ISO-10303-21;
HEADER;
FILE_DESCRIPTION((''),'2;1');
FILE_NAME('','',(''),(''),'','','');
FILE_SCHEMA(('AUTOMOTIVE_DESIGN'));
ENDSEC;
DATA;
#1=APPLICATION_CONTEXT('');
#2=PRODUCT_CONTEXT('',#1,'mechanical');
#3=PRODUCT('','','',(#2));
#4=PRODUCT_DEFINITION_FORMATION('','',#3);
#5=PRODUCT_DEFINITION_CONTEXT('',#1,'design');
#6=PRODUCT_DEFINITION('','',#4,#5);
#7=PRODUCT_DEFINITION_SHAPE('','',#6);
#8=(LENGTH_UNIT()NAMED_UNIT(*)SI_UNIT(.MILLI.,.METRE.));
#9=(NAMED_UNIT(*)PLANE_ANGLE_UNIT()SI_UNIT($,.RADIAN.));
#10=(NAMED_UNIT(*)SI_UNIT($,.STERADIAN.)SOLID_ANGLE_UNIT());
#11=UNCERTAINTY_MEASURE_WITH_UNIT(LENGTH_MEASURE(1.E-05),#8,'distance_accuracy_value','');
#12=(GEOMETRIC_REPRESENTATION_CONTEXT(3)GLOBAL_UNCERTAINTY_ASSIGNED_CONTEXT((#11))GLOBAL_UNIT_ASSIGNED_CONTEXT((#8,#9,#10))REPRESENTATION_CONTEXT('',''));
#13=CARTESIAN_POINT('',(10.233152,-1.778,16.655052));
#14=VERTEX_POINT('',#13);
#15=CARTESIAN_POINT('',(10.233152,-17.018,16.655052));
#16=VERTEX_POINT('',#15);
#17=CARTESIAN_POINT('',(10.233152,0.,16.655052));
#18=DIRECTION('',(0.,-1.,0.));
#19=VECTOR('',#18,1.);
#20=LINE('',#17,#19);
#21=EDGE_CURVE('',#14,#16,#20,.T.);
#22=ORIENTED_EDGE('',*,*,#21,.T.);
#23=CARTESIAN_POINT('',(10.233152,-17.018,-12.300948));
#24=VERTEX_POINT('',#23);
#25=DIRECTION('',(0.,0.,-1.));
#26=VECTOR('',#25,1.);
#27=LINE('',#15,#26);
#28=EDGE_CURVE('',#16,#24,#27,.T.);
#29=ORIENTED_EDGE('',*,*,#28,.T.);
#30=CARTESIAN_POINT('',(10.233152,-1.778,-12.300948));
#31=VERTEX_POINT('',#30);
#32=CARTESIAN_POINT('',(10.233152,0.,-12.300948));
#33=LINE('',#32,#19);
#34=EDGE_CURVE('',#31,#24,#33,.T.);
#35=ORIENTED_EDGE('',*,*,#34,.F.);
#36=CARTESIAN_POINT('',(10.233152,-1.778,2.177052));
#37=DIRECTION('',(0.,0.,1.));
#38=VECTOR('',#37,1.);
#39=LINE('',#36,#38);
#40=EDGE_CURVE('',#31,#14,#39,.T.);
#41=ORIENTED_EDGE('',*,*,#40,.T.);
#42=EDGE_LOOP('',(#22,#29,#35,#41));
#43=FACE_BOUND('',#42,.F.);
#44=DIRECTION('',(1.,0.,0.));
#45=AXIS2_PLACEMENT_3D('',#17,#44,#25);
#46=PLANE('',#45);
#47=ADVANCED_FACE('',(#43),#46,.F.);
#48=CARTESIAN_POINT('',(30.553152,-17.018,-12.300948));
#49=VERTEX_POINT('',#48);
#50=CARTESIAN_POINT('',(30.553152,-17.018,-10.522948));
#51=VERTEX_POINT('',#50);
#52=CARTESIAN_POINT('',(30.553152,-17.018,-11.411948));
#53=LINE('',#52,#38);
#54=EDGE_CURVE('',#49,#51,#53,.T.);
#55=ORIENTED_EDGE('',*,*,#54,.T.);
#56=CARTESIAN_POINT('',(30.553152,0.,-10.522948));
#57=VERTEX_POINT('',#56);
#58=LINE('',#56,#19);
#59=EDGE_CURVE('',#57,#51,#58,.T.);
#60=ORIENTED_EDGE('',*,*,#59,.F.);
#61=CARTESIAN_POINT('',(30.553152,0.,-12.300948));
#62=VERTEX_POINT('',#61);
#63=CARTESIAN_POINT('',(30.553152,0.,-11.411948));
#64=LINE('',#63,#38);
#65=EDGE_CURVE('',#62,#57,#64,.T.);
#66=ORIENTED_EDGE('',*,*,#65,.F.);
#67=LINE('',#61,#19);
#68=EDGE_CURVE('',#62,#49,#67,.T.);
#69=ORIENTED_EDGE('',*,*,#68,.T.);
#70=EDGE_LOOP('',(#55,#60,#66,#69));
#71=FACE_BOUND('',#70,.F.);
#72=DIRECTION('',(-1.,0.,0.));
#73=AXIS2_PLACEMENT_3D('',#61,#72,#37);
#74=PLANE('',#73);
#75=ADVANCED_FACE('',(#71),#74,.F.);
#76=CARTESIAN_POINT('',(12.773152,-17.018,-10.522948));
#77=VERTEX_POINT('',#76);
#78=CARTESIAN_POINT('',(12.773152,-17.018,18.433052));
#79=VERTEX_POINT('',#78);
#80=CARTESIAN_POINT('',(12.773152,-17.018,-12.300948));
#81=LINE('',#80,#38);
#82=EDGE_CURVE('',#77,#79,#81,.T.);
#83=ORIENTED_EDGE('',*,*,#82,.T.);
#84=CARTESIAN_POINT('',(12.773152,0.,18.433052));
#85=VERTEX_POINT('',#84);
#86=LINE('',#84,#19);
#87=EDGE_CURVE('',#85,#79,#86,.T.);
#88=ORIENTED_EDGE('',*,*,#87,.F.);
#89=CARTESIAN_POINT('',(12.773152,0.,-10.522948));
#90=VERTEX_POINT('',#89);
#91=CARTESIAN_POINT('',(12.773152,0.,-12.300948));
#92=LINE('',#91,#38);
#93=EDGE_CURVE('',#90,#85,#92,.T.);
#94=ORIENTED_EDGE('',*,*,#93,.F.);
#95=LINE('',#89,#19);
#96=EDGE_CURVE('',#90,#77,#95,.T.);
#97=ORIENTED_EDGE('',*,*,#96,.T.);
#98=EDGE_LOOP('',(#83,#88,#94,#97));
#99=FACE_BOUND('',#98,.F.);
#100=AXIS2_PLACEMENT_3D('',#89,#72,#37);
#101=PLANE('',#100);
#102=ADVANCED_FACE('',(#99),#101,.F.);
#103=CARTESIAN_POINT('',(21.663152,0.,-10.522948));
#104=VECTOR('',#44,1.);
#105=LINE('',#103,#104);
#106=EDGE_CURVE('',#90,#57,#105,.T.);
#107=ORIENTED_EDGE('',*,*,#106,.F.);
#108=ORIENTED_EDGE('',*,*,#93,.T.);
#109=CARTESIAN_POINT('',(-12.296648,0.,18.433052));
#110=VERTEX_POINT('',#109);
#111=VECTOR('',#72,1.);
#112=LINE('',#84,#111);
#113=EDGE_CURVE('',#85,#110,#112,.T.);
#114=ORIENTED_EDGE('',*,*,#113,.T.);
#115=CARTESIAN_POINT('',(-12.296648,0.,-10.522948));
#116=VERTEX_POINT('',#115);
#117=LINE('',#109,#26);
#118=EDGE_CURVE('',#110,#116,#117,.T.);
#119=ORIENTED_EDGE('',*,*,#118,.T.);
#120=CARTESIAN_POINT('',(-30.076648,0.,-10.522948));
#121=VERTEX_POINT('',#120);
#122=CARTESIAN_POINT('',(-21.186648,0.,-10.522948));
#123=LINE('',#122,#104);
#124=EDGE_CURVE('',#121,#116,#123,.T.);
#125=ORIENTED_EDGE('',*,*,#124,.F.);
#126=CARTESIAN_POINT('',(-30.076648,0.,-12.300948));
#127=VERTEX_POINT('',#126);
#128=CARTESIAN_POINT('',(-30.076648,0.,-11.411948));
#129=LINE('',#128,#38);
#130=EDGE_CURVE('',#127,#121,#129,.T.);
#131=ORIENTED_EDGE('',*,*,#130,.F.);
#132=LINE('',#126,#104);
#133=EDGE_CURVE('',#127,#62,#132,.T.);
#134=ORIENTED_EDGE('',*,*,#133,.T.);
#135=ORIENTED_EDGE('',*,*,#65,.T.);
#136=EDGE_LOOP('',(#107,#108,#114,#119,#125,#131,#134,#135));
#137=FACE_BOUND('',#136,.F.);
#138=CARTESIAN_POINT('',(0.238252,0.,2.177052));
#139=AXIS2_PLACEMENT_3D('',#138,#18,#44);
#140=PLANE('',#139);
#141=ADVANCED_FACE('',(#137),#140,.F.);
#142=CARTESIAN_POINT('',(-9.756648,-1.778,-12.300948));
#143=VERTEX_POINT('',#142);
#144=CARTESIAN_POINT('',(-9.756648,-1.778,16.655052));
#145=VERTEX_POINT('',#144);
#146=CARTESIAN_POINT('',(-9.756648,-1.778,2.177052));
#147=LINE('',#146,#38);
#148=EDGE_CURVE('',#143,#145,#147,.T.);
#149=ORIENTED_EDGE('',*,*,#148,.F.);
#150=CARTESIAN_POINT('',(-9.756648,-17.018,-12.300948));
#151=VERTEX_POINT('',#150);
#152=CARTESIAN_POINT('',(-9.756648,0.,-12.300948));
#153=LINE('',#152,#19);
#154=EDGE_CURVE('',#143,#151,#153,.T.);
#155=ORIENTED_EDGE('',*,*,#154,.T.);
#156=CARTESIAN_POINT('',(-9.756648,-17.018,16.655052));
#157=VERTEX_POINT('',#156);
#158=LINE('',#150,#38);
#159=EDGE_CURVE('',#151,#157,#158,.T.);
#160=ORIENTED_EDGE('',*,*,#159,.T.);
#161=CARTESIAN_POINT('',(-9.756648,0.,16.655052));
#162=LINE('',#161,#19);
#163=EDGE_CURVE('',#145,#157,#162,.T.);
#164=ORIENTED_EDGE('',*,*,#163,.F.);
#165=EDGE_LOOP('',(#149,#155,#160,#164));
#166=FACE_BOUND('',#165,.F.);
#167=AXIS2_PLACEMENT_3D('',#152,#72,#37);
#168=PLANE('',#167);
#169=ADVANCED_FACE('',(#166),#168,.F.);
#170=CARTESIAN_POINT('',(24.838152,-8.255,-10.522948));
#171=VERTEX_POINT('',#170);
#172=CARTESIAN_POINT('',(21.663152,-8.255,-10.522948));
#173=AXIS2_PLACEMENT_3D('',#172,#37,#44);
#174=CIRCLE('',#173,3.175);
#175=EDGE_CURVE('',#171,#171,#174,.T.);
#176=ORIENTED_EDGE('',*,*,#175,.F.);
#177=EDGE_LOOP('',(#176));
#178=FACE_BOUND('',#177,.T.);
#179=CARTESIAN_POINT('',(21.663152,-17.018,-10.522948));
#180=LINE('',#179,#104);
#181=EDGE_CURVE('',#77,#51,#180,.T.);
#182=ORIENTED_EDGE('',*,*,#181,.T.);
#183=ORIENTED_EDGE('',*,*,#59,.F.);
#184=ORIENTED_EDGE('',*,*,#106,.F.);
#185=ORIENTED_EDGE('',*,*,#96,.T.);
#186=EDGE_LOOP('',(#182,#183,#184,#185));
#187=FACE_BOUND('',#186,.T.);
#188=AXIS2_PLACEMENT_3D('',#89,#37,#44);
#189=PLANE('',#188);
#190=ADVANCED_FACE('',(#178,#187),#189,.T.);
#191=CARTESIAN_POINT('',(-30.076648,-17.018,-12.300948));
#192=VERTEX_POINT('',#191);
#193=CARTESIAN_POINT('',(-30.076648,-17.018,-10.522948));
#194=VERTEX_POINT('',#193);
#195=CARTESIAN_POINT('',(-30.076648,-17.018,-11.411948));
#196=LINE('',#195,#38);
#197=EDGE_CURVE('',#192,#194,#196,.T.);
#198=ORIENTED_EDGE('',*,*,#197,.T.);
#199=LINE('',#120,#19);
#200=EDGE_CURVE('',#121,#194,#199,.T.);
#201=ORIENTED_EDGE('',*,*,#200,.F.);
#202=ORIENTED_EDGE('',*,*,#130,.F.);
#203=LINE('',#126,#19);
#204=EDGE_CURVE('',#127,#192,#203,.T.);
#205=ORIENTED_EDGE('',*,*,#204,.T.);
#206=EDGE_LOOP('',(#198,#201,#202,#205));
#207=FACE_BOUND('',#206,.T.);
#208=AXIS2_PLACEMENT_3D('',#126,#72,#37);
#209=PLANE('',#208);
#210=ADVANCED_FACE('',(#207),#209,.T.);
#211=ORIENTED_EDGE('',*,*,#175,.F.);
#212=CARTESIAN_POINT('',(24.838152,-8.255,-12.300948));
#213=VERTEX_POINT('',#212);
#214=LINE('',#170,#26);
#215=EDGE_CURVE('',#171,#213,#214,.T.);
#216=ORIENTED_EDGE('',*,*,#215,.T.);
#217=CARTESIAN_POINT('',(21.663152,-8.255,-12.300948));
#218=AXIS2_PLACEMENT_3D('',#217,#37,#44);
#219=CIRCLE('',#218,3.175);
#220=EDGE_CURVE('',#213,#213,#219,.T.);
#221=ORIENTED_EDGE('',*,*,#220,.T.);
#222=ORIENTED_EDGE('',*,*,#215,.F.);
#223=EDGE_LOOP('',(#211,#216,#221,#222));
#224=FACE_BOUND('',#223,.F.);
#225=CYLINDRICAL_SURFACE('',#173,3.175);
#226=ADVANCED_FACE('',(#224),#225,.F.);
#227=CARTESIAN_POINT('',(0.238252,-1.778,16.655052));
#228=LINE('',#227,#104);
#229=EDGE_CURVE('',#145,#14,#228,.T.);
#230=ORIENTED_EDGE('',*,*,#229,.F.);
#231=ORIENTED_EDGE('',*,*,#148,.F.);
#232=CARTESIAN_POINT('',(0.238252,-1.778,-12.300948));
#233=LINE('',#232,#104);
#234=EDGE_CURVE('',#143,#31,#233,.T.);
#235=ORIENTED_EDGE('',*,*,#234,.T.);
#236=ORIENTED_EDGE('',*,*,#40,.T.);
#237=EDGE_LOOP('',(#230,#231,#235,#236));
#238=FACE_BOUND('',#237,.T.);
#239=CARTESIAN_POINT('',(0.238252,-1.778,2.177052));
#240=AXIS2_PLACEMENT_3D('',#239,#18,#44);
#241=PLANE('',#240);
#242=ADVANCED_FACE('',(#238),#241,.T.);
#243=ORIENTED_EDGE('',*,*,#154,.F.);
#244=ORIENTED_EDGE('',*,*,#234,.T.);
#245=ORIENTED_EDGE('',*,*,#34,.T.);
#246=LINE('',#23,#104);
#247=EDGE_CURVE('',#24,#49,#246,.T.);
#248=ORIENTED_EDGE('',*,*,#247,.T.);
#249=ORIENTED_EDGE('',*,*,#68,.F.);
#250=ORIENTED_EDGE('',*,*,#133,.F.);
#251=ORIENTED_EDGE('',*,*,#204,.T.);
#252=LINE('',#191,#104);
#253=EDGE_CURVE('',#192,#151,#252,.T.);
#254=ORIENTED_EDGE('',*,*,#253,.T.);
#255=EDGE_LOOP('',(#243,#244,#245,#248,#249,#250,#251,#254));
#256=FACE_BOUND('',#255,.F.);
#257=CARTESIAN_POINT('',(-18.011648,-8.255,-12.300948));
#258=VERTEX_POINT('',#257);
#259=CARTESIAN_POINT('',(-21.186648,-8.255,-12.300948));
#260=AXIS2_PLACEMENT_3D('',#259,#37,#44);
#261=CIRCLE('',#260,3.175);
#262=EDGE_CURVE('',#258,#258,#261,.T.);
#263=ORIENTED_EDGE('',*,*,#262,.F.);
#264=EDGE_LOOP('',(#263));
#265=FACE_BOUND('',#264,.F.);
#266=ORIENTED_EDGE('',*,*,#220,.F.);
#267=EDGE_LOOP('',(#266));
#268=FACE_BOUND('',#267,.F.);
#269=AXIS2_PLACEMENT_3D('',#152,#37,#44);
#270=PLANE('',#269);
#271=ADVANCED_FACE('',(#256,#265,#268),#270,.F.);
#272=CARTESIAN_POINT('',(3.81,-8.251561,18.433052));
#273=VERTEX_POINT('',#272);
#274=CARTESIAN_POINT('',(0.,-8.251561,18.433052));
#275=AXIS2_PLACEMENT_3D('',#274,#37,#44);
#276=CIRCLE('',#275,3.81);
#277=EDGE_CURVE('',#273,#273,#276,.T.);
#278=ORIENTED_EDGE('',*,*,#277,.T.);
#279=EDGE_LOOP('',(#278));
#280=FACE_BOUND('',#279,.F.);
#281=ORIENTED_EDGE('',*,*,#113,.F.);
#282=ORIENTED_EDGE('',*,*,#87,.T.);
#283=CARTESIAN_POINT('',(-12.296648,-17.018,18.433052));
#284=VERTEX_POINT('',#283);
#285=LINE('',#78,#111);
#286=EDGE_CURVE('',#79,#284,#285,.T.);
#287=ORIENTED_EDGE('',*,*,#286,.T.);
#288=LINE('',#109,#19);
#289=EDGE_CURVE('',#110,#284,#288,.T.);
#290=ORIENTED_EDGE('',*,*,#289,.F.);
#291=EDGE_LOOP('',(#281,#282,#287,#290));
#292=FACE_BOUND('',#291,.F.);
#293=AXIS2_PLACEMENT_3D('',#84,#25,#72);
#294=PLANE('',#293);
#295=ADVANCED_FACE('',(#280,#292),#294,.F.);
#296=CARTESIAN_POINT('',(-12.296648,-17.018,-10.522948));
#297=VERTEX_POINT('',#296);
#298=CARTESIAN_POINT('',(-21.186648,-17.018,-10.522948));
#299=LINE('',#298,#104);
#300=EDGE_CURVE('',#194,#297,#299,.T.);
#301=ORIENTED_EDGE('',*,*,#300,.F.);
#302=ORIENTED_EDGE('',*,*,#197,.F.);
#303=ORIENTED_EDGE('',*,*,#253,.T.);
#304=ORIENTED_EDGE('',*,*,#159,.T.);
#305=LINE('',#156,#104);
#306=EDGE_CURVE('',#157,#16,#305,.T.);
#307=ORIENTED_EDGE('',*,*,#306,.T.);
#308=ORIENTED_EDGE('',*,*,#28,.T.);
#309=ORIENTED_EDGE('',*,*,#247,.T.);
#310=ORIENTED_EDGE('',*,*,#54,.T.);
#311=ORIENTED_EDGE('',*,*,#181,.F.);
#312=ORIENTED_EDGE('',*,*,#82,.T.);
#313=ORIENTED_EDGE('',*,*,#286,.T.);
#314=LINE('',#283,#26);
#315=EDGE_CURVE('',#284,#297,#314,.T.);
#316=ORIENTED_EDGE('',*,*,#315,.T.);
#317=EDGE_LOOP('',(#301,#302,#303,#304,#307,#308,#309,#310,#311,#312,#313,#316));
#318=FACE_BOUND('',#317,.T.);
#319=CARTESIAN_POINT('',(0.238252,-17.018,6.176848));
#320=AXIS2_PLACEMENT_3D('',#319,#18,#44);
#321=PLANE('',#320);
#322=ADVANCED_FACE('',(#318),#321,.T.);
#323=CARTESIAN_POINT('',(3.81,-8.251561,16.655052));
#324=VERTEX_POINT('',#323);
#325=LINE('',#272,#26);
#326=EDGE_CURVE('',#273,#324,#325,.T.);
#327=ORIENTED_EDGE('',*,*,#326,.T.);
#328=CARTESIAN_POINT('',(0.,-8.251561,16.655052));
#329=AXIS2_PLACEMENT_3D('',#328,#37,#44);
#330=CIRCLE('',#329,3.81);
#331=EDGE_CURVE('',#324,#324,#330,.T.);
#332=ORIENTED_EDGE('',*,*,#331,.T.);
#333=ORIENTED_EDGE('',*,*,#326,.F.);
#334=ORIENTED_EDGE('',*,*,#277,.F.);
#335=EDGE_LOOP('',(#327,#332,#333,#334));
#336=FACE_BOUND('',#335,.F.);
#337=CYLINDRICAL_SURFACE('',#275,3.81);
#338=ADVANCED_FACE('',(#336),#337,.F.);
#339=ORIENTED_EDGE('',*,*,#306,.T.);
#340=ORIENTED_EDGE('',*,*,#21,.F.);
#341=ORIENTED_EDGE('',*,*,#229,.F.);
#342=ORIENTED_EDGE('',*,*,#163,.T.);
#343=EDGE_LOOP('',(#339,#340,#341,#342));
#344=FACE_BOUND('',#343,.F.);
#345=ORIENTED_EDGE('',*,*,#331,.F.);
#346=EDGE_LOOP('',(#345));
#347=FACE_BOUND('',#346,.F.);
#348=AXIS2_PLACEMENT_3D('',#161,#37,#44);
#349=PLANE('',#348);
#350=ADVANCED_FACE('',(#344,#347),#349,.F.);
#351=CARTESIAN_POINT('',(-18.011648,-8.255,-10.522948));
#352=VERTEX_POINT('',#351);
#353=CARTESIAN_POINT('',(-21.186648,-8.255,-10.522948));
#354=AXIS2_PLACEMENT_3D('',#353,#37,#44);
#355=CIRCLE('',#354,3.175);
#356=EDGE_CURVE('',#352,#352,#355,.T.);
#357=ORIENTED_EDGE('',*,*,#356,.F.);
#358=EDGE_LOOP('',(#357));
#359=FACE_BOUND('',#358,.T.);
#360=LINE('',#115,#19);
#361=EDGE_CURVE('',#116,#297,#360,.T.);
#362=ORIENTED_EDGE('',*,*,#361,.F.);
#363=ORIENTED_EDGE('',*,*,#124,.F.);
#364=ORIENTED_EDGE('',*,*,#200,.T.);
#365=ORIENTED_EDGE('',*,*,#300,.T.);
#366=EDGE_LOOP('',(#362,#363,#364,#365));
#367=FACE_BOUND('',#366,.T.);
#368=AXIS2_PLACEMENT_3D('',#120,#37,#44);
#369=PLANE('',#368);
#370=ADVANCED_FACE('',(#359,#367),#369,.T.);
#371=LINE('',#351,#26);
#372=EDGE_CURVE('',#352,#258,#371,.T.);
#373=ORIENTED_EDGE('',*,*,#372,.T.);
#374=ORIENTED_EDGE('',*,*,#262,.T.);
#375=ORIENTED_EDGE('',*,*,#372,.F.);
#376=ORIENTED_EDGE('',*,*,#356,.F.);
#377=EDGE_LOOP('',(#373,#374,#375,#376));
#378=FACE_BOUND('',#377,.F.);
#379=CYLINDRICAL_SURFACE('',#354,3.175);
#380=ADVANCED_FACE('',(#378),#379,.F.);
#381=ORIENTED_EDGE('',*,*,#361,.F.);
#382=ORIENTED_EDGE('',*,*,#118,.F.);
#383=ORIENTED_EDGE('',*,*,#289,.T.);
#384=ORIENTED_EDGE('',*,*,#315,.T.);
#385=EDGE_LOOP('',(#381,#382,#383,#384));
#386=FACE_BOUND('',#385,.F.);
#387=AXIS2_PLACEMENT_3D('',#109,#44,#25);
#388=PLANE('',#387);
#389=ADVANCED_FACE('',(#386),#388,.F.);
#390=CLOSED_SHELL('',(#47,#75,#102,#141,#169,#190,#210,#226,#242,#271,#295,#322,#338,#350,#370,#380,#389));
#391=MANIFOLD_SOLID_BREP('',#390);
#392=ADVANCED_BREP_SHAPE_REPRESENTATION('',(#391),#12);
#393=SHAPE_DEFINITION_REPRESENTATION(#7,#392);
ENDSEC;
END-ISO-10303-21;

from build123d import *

# Parameters (mm, degrees)
F0_W     = 17.78
F0_H     = 1.778
F1_DEPTH = 17.018
F0_W_2   = 19.9898
F0_H_2   = 28.956
F2_DEPTH = 1.778
F5_R     = 3.175
F4_R     = 3.175
F3_R     = 3.81
F6_DEPTH = 25.4


with BuildPart() as f1:
    # F0 (on Front) → F1 (new body)
    with BuildSketch(Plane.XZ):
        Polygon((-12.296648, -10.522948), (-12.296648, -12.300948), (-9.756648, -12.300948), (-9.756648, 16.655052), (10.233152, 16.655052), (10.233152, -12.300948), (12.773152, -12.300948), (12.773152, -10.522948), (12.773152, 18.433052), (-12.296648, 18.433052), align=None)
        with Locations((-21.186648, -11.411948)):
            Rectangle(F0_W, F0_H)
        with Locations((21.663152, -11.411948)):
            Rectangle(F0_W, F0_H)
    extrude(amount=F1_DEPTH)

    # F0 (on Front) → F2 (join)
    with BuildSketch(Plane.XZ):
        with Locations((0.238252, 2.177052)):
            Rectangle(F0_W_2, F0_H_2)
    extrude(amount=F2_DEPTH)

    # F5 (on face) + F4 (on face) + F3 (on face) → F6 (cut)
    with BuildSketch(Plane.XY.offset(-10.522948)):
        with Locations((21.663152, -8.255)):
            Circle(F5_R)
    with BuildSketch(Plane.XY.offset(-10.522948)):
        with Locations((-21.186648, -8.255)):
            Circle(F4_R)
    with BuildSketch(Plane.XY.offset(18.433052)):
        with Locations((0, -8.251561)):
            Circle(F3_R)
    extrude(amount=-F6_DEPTH, mode=Mode.SUBTRACT)


solid = f1.part
